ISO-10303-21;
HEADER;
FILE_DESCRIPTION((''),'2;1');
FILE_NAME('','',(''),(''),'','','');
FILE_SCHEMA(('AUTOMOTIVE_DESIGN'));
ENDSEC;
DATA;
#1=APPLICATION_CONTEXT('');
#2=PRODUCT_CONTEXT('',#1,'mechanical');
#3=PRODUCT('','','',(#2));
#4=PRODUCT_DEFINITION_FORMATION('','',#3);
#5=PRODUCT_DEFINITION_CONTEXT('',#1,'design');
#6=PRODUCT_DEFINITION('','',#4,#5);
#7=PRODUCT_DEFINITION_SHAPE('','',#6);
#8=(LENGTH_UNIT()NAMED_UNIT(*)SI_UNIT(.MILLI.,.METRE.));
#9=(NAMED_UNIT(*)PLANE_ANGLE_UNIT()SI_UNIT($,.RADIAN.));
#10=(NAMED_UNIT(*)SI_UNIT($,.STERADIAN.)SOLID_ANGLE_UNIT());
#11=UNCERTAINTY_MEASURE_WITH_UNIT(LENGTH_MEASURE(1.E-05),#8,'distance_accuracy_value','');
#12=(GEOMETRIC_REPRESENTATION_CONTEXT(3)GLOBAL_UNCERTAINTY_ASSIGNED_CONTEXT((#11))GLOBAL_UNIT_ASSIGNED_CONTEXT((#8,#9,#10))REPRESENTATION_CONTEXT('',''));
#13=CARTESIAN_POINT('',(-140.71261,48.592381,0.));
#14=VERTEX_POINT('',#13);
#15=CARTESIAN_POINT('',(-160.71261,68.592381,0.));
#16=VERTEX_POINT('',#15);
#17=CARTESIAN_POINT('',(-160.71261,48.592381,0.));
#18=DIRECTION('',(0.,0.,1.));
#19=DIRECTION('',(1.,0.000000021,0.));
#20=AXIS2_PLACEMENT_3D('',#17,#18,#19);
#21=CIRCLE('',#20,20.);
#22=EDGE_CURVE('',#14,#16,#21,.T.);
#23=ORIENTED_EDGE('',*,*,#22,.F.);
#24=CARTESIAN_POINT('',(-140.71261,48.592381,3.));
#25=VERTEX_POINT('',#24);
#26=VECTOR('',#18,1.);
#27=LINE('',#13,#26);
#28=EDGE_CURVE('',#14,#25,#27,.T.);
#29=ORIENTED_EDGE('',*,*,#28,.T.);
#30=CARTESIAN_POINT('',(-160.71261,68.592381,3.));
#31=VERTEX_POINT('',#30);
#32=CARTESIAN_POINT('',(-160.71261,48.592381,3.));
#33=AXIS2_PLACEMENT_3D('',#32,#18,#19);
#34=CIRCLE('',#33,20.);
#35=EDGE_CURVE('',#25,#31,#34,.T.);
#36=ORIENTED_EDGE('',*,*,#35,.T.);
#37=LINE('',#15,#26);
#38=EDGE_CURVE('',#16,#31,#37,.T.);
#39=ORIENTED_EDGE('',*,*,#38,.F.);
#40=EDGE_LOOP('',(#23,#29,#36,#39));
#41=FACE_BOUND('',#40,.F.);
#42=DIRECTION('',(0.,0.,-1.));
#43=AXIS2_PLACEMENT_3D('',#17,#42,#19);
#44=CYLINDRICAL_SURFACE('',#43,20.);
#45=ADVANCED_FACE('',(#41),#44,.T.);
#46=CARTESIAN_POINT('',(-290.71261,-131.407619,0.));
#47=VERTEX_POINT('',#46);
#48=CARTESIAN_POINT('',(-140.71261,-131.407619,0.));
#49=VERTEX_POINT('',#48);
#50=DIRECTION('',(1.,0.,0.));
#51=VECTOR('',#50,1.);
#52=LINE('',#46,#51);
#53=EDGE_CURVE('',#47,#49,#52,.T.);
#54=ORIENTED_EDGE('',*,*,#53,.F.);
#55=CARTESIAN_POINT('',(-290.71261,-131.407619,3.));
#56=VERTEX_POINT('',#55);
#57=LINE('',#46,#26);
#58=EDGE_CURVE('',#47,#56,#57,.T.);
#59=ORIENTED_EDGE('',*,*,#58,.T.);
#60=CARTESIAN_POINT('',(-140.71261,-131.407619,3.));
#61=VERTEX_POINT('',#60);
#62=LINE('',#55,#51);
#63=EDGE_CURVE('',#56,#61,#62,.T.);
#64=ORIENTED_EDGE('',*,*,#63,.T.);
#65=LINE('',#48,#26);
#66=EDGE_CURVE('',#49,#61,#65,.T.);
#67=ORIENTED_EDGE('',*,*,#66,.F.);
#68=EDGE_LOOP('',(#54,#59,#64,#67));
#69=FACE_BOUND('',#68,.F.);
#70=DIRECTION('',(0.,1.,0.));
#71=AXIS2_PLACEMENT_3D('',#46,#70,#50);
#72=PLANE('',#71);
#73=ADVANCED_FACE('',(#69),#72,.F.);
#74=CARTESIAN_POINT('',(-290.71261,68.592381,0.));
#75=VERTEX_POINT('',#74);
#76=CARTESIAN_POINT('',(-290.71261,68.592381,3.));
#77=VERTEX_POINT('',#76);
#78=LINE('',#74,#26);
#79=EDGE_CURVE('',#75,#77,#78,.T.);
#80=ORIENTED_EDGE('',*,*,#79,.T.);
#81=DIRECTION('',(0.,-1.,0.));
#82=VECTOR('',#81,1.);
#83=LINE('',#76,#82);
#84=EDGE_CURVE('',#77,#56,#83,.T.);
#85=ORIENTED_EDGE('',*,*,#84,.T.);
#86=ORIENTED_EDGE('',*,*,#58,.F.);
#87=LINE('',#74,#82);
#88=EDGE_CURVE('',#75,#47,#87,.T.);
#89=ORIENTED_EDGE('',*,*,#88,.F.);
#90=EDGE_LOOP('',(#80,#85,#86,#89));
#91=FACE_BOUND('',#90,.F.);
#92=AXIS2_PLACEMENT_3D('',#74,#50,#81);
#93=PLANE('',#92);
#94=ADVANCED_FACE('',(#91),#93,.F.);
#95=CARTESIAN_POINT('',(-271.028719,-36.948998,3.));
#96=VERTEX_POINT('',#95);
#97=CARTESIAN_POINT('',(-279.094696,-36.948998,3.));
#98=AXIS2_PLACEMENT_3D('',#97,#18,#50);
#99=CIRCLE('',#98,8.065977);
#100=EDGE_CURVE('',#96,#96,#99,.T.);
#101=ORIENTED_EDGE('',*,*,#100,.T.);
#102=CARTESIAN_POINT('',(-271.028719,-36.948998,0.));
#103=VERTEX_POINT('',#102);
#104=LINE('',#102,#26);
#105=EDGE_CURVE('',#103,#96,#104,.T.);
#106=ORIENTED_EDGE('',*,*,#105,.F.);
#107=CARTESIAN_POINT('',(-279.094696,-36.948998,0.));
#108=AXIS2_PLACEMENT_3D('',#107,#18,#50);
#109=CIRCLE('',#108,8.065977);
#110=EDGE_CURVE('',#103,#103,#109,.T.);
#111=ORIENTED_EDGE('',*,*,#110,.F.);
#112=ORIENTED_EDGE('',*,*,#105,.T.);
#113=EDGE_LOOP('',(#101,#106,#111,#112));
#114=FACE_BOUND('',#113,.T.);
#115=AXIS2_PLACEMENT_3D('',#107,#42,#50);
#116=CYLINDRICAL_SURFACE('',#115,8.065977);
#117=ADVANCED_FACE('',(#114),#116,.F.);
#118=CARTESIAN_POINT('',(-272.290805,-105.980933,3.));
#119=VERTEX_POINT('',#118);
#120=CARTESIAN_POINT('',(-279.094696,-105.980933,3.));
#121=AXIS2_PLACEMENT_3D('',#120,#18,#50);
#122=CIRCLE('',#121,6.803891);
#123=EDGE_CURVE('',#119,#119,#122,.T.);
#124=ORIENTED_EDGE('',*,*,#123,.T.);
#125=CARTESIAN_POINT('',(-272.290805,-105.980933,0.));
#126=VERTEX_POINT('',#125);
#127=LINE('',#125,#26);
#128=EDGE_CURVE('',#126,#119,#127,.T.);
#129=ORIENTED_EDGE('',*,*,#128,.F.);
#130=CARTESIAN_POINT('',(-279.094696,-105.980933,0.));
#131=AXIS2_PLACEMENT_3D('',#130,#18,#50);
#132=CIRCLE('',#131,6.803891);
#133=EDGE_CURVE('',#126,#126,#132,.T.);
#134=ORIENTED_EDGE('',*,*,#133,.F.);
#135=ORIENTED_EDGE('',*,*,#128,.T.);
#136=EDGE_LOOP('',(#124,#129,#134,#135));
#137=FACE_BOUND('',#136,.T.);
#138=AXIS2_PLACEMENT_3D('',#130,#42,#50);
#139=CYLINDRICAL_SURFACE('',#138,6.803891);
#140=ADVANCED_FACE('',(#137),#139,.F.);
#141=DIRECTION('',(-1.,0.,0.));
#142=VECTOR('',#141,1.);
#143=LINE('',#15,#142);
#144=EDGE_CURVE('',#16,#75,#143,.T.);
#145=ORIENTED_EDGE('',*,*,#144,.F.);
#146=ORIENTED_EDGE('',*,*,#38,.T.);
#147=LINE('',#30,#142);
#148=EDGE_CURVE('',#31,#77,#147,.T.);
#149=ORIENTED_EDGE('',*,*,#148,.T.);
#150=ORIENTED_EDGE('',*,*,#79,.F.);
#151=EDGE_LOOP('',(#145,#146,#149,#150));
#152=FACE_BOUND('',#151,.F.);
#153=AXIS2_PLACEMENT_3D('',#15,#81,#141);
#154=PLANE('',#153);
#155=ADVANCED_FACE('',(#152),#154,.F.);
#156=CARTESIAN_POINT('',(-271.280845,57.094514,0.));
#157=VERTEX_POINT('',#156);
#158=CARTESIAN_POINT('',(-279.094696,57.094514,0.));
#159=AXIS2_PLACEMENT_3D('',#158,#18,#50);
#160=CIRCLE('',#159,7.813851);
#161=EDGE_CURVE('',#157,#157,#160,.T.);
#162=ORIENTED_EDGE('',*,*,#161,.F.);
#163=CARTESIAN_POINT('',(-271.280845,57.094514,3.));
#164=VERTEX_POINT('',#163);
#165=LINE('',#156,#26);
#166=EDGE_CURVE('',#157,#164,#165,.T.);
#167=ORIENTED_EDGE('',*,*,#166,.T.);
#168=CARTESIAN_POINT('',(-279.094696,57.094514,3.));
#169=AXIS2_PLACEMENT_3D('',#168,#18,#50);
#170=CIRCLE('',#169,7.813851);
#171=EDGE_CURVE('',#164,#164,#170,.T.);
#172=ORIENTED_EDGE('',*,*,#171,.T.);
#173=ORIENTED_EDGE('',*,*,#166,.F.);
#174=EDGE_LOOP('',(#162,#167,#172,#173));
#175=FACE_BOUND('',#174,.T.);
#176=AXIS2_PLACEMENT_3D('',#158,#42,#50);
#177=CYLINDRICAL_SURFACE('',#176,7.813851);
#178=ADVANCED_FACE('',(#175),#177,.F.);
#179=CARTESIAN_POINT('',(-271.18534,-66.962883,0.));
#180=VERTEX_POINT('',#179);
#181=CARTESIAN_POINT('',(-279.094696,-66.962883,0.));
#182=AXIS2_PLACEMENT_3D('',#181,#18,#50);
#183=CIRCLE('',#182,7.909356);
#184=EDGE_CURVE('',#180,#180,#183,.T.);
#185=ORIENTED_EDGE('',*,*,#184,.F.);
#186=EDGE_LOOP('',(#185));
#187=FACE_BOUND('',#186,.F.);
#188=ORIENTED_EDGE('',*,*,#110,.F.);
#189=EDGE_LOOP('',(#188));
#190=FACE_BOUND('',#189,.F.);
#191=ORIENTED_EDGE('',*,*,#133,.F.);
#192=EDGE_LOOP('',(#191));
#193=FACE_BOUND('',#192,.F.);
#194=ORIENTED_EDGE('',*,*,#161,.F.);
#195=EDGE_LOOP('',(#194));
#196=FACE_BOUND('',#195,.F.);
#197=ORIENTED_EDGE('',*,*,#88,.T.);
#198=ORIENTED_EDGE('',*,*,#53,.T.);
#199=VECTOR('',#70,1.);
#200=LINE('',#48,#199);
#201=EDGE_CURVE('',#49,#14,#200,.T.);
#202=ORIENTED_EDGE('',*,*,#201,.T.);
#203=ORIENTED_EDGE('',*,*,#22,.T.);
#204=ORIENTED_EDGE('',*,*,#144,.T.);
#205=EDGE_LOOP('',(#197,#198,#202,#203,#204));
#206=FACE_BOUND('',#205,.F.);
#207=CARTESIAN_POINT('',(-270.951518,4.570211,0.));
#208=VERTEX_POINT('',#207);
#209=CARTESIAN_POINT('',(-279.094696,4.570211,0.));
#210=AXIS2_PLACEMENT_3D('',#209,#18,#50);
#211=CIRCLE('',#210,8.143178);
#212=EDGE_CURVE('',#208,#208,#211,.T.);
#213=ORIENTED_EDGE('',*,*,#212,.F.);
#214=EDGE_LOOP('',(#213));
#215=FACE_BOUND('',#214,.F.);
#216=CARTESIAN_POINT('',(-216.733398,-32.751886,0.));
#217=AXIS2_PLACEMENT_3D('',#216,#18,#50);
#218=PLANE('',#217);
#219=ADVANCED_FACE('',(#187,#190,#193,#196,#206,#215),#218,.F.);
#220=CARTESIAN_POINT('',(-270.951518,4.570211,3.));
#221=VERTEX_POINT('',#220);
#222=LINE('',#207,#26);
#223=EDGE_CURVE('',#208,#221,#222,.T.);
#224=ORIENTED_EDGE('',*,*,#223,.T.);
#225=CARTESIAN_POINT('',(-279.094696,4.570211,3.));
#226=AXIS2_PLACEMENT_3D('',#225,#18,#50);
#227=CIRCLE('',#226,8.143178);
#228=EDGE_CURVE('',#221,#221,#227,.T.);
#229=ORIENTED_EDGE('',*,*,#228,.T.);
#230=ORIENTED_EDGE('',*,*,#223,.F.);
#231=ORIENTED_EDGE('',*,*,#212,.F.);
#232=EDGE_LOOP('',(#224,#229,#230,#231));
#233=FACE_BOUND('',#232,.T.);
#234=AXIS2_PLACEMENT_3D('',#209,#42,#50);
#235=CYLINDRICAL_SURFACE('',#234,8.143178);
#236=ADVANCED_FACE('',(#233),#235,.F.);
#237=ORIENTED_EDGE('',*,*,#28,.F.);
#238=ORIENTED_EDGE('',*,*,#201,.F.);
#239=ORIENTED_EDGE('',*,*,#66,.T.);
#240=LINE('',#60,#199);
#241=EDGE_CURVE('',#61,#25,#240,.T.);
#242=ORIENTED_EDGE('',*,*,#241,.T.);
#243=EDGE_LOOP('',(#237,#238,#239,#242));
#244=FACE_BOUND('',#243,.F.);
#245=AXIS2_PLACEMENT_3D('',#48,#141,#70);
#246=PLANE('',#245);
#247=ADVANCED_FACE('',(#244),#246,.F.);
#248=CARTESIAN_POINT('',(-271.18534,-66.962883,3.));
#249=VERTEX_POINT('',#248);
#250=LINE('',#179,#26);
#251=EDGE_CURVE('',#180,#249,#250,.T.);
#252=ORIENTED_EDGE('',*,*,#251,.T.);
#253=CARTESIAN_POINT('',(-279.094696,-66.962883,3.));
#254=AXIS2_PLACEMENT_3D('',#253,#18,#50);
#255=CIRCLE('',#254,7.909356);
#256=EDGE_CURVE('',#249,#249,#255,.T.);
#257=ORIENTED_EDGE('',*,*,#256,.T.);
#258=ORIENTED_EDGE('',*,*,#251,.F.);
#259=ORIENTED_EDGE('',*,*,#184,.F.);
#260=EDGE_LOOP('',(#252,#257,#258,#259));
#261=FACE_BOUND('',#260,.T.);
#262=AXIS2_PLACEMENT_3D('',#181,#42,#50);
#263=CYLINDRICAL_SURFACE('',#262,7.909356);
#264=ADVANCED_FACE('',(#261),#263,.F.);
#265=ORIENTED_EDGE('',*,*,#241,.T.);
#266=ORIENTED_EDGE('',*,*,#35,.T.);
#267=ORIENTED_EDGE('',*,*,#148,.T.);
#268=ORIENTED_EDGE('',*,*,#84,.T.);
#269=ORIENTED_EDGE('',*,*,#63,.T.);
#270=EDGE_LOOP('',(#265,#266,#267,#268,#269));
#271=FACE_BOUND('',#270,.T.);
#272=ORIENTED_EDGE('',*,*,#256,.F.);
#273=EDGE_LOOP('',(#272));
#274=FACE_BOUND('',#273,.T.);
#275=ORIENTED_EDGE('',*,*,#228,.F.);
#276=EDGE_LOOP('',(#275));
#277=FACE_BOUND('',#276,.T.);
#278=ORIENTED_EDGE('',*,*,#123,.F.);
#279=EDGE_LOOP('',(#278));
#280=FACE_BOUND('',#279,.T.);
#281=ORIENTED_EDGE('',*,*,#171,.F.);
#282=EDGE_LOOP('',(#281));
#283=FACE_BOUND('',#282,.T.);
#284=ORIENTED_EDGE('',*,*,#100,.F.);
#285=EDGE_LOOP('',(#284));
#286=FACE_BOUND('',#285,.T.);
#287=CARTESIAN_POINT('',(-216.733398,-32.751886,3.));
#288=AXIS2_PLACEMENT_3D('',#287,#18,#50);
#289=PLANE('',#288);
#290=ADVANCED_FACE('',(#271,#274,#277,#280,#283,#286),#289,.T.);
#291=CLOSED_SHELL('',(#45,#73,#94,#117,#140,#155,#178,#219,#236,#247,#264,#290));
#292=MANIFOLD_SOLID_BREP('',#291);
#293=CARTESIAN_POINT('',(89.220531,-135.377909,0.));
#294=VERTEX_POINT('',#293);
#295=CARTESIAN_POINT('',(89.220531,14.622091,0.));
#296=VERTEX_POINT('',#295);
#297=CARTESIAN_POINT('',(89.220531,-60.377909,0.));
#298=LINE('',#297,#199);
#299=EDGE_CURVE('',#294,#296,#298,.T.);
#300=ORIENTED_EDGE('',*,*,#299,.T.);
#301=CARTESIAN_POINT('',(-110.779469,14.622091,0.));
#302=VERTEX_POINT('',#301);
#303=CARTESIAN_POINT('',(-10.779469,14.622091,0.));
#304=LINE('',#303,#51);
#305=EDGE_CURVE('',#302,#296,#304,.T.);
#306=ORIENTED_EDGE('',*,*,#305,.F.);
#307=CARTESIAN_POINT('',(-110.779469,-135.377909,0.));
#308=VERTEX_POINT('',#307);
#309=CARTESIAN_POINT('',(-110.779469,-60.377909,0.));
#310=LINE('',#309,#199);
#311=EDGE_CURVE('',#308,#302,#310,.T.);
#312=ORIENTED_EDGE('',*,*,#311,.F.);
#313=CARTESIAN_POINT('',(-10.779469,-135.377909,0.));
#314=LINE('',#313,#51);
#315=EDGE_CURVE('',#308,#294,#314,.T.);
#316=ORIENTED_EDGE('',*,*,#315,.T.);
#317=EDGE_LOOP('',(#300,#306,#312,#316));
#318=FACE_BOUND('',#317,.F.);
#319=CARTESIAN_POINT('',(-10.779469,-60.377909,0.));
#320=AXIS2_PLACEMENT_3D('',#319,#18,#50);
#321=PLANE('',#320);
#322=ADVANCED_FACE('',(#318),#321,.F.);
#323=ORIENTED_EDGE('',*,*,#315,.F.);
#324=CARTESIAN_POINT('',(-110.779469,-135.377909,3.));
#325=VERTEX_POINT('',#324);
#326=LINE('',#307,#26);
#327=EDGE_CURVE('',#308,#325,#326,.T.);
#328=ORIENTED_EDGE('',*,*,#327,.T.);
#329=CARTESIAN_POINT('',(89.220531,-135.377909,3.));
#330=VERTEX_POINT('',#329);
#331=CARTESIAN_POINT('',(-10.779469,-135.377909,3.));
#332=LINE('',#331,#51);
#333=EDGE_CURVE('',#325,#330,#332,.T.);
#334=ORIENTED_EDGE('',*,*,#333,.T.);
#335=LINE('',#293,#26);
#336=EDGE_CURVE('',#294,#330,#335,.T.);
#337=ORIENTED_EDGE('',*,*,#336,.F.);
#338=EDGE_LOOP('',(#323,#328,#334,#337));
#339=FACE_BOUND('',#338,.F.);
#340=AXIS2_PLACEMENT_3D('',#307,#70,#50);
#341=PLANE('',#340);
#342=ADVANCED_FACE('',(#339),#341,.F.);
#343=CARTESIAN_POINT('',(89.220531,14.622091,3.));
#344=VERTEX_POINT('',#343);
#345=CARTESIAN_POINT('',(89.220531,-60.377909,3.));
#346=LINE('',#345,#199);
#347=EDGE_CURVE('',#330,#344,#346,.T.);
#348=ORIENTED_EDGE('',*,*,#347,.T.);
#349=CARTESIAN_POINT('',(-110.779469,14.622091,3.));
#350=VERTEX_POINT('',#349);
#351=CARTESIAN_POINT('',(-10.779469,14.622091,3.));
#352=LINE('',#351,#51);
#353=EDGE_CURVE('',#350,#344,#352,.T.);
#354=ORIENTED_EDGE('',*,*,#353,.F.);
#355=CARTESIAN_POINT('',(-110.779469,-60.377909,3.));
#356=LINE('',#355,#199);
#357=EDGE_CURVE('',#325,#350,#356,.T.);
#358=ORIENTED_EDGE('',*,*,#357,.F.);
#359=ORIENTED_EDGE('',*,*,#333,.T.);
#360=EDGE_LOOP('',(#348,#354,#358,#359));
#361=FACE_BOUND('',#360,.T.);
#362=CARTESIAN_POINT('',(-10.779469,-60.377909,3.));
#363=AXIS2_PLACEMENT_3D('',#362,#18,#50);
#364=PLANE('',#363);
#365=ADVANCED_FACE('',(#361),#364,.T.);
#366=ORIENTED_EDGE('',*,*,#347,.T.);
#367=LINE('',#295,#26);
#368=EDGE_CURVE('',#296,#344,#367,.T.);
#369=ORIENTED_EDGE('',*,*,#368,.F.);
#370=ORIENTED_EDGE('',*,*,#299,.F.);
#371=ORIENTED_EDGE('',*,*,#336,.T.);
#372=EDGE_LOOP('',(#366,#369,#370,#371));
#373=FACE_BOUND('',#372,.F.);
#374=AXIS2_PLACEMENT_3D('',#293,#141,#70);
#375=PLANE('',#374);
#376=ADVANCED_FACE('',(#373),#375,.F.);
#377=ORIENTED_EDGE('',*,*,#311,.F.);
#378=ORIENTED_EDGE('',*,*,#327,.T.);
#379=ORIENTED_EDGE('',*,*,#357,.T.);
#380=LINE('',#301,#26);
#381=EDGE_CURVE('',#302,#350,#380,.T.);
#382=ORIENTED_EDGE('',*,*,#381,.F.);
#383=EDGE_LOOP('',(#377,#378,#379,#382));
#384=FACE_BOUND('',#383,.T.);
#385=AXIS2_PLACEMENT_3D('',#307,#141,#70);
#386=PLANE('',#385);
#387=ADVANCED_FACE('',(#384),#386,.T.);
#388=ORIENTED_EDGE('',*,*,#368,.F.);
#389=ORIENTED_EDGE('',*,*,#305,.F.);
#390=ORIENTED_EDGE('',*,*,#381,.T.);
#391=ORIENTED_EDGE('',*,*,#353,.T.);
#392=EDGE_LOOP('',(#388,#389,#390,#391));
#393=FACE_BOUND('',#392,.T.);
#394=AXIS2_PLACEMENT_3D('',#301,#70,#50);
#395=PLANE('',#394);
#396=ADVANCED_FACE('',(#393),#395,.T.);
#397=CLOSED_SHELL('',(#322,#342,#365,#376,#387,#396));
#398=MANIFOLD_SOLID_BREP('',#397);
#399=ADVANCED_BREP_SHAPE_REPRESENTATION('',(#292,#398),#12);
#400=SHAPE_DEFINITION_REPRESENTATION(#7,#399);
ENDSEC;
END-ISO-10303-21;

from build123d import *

# Parameters (mm, degrees)
F0_W     = 200
F0_H     = 150
F0_R     = 6.803891
F0_R_2   = 7.909356
F0_R_3   = 8.065977
F0_R_4   = 8.143178
F0_R_5   = 7.813851
F1_DEPTH = 3


with BuildPart() as f1:
    # F0 (on Top) → F1 (new body)
    with BuildSketch(Plane.XY):
        with Locations((-10.779469, -60.377909)):
            Rectangle(F0_W, F0_H)
        with BuildLine():
            Line((-160.71261, 68.592381), (-290.71261, 68.592381))
            Line((-290.71261, 68.592381), (-290.71261, -131.407619))
            Line((-290.71261, -131.407619), (-140.71261, -131.407619))
            Line((-140.71261, -131.407619), (-140.71261, 48.592381))
            ThreePointArc((-140.71261, 48.592381), (-146.570475, 62.734517), (-160.71261, 68.592381))
        make_face()
        with Locations((-279.094696, -105.980933)):
            Circle(F0_R, mode=Mode.SUBTRACT)
        with Locations((-279.094696, -66.962883)):
            Circle(F0_R_2, mode=Mode.SUBTRACT)
        with Locations((-279.094696, -36.948998)):
            Circle(F0_R_3, mode=Mode.SUBTRACT)
        with Locations((-279.094696, 4.570211)):
            Circle(F0_R_4, mode=Mode.SUBTRACT)
        with Locations((-279.094696, 57.094514)):
            Circle(F0_R_5, mode=Mode.SUBTRACT)
    extrude(amount=F1_DEPTH)


solid = f1.part
